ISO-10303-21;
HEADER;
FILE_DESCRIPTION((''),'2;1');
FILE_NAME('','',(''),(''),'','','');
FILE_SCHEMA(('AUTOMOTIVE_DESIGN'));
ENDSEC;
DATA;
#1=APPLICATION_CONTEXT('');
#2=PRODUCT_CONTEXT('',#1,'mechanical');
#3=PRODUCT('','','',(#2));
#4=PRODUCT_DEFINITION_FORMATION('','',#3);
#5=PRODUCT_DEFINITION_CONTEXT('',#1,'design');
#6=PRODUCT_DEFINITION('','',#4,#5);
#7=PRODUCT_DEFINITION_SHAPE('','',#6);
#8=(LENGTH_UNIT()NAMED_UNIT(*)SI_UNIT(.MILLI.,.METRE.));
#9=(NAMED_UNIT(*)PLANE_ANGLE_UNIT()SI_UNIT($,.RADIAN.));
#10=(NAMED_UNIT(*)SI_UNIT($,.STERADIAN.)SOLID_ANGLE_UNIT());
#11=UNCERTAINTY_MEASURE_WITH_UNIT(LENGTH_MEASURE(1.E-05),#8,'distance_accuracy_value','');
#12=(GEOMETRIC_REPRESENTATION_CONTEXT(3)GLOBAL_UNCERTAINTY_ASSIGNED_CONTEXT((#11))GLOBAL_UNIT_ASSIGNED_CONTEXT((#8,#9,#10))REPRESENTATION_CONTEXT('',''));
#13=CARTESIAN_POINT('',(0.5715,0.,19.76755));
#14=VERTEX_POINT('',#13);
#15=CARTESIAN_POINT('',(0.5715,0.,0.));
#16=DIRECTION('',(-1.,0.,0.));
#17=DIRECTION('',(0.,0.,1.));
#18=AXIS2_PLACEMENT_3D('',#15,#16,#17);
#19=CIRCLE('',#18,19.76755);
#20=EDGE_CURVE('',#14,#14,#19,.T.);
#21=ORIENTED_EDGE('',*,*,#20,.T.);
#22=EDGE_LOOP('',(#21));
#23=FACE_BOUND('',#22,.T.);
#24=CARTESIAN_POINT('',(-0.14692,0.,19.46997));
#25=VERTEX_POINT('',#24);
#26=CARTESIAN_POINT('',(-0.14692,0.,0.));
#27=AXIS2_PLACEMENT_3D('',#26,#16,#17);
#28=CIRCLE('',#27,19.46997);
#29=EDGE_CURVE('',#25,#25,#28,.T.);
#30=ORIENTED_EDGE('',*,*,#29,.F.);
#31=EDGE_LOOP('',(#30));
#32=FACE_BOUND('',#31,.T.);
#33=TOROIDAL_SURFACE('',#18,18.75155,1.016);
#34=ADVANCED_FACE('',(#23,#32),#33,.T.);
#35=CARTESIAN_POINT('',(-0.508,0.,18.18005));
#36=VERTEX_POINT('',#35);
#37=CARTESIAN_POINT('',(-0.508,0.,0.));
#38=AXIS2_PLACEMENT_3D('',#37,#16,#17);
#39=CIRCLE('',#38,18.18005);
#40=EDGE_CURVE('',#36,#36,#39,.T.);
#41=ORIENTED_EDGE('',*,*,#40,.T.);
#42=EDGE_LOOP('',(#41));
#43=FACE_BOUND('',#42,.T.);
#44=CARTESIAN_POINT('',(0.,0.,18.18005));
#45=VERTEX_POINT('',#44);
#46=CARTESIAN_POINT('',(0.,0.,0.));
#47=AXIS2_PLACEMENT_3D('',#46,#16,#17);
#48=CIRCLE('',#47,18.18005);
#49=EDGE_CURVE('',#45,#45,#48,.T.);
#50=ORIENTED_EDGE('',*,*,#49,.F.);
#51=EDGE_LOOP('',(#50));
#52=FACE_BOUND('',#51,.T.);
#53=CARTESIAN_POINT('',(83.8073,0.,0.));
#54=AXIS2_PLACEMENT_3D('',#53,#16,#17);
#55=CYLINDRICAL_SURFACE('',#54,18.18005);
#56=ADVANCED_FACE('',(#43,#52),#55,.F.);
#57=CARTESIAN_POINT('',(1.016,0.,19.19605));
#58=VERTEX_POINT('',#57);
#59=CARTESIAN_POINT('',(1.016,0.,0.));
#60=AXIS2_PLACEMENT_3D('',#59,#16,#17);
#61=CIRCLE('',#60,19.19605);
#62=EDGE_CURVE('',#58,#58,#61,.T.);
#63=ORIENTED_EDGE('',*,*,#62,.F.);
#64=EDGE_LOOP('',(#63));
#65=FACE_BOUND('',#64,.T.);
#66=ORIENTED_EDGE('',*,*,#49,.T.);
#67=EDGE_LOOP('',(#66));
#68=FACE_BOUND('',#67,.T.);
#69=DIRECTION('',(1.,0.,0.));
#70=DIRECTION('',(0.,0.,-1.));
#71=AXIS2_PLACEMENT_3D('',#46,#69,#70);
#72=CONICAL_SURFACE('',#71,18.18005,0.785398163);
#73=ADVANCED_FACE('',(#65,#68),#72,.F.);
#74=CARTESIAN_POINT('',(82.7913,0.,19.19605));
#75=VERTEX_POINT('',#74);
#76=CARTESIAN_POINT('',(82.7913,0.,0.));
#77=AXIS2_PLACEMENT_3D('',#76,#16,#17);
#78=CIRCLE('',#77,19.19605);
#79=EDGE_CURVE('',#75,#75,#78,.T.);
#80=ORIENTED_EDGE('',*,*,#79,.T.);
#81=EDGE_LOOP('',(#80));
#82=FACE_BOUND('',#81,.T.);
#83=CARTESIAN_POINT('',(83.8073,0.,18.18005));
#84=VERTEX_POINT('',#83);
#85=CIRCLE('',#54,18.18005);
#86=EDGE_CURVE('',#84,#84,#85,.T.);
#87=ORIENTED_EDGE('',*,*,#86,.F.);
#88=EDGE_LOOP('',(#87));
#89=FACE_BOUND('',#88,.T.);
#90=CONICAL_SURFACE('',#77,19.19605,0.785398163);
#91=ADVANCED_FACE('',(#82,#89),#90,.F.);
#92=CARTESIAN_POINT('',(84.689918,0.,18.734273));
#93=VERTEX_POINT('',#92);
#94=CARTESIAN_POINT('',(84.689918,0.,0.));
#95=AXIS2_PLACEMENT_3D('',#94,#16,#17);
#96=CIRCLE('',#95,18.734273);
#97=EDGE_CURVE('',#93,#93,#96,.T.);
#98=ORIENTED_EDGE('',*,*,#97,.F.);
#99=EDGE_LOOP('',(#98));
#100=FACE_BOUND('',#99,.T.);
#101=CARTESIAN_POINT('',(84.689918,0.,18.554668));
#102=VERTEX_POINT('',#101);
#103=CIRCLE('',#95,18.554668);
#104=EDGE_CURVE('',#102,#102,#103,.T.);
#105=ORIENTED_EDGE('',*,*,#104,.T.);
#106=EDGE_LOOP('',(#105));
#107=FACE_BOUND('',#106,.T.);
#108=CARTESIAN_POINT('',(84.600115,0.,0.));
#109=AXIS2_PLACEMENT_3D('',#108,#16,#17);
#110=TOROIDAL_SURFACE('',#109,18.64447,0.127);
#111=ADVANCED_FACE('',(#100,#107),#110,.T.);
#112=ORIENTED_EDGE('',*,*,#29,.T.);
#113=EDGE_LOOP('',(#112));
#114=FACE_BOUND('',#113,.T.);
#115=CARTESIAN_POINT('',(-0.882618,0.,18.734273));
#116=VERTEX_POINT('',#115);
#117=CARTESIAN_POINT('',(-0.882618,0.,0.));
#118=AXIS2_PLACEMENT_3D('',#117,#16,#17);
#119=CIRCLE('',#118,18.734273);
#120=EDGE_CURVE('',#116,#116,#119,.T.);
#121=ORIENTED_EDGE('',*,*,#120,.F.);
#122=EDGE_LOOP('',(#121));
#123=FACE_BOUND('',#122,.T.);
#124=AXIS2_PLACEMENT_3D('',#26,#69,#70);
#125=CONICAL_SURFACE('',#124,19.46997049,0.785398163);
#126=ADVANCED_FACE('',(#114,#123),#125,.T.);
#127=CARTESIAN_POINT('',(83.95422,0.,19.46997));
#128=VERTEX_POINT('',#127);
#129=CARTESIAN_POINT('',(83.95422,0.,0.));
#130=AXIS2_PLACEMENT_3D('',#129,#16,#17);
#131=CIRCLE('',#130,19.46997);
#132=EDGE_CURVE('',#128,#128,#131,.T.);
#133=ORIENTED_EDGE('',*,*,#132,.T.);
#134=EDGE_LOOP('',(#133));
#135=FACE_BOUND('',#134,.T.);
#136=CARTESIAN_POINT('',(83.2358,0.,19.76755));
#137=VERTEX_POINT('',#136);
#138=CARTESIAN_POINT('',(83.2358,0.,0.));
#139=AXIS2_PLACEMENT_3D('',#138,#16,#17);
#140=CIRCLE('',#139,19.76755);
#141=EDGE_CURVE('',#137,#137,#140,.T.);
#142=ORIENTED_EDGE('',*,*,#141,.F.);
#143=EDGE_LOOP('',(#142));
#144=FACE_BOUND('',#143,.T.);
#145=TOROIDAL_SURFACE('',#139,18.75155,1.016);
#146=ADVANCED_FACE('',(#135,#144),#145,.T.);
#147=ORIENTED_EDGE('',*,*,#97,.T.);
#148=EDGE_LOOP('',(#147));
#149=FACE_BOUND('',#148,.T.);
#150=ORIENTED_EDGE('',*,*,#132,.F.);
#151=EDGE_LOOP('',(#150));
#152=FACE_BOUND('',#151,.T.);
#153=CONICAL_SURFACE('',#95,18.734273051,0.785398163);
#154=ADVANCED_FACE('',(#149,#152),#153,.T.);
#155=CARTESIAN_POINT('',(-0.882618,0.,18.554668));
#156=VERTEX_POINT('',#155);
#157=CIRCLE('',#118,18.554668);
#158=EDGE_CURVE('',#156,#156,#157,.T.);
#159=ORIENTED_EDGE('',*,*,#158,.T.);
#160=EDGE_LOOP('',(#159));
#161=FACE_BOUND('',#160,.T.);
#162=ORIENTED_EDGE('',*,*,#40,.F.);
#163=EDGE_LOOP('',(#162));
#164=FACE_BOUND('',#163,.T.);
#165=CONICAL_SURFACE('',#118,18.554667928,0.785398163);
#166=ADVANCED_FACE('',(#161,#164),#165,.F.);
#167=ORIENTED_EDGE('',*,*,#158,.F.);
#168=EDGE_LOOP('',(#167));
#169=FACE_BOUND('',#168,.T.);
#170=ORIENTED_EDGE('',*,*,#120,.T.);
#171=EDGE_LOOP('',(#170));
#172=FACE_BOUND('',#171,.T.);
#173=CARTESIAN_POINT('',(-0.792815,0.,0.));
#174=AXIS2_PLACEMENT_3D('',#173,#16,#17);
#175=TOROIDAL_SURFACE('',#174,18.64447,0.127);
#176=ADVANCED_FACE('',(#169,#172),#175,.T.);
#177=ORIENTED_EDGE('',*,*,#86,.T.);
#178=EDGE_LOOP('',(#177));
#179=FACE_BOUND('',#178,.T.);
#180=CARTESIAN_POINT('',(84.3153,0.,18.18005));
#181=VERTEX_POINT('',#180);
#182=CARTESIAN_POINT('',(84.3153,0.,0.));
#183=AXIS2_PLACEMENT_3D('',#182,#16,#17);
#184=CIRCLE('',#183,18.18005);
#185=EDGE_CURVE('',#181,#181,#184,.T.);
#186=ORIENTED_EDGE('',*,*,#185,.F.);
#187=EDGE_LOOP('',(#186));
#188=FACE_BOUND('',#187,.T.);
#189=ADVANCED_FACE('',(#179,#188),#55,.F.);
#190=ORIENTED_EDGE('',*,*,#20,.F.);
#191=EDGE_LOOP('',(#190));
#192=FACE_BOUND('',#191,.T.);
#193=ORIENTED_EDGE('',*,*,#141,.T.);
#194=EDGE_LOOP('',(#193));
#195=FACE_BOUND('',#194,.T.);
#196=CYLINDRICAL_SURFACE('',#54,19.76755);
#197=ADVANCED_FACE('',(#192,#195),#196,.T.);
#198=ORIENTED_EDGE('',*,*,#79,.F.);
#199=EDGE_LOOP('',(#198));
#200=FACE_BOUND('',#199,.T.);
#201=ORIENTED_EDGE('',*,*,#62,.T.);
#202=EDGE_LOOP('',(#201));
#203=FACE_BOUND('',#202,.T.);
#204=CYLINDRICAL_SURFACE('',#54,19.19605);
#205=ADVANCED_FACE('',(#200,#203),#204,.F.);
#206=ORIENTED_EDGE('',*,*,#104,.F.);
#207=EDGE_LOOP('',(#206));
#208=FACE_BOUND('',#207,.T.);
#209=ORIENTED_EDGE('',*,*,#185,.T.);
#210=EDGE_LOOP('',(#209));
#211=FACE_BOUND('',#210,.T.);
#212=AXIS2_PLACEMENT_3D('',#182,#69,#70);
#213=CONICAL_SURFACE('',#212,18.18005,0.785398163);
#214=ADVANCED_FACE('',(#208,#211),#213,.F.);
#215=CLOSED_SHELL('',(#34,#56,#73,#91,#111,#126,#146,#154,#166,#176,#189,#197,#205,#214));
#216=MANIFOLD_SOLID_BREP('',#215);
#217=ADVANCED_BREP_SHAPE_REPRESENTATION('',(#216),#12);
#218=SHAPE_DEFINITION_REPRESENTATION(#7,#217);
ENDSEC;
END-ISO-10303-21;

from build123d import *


with BuildPart() as part:
    # Sketch1 → Revolve1 (revolve)
    with BuildSketch(Plane.XY):
        with BuildLine():
            Line((-0.882617928, 18.554667928), (-0.508, 18.18005))
            Line((-0.508, 18.18005), (0, 18.18005))
            Line((0, 18.18005), (1.016, 19.19605))
            Line((1.016, 19.19605), (82.7913, 19.19605))
            Line((82.7913, 19.19605), (83.8073, 18.18005))
            Line((83.8073, 18.18005), (84.3153, 18.18005))
            Line((84.3153, 18.18005), (84.689917928, 18.554667928))
            ThreePointArc((84.689917928, 18.554667928), (84.727115367, 18.64447049), (84.689917928, 18.734273051))
            Line((84.689917928, 18.734273051), (83.95422049, 19.46997049))
            ThreePointArc((83.95422049, 19.46997049), (83.624606367, 19.690211605), (83.2358, 19.76755))
            Line((83.2358, 19.76755), (0.5715, 19.76755))
            ThreePointArc((0.5715, 19.76755), (0.182693633, 19.690211605), (-0.14692049, 19.46997049))
            Line((-0.14692049, 19.46997049), (-0.882617928, 18.734273051))
            ThreePointArc((-0.882617928, 18.734273051), (-0.919815367, 18.64447049), (-0.882617928, 18.554667928))
        make_face()
    revolve(axis=Axis((83.8073, 0, 0), (-1, 0, 0)))


solid = part.part
